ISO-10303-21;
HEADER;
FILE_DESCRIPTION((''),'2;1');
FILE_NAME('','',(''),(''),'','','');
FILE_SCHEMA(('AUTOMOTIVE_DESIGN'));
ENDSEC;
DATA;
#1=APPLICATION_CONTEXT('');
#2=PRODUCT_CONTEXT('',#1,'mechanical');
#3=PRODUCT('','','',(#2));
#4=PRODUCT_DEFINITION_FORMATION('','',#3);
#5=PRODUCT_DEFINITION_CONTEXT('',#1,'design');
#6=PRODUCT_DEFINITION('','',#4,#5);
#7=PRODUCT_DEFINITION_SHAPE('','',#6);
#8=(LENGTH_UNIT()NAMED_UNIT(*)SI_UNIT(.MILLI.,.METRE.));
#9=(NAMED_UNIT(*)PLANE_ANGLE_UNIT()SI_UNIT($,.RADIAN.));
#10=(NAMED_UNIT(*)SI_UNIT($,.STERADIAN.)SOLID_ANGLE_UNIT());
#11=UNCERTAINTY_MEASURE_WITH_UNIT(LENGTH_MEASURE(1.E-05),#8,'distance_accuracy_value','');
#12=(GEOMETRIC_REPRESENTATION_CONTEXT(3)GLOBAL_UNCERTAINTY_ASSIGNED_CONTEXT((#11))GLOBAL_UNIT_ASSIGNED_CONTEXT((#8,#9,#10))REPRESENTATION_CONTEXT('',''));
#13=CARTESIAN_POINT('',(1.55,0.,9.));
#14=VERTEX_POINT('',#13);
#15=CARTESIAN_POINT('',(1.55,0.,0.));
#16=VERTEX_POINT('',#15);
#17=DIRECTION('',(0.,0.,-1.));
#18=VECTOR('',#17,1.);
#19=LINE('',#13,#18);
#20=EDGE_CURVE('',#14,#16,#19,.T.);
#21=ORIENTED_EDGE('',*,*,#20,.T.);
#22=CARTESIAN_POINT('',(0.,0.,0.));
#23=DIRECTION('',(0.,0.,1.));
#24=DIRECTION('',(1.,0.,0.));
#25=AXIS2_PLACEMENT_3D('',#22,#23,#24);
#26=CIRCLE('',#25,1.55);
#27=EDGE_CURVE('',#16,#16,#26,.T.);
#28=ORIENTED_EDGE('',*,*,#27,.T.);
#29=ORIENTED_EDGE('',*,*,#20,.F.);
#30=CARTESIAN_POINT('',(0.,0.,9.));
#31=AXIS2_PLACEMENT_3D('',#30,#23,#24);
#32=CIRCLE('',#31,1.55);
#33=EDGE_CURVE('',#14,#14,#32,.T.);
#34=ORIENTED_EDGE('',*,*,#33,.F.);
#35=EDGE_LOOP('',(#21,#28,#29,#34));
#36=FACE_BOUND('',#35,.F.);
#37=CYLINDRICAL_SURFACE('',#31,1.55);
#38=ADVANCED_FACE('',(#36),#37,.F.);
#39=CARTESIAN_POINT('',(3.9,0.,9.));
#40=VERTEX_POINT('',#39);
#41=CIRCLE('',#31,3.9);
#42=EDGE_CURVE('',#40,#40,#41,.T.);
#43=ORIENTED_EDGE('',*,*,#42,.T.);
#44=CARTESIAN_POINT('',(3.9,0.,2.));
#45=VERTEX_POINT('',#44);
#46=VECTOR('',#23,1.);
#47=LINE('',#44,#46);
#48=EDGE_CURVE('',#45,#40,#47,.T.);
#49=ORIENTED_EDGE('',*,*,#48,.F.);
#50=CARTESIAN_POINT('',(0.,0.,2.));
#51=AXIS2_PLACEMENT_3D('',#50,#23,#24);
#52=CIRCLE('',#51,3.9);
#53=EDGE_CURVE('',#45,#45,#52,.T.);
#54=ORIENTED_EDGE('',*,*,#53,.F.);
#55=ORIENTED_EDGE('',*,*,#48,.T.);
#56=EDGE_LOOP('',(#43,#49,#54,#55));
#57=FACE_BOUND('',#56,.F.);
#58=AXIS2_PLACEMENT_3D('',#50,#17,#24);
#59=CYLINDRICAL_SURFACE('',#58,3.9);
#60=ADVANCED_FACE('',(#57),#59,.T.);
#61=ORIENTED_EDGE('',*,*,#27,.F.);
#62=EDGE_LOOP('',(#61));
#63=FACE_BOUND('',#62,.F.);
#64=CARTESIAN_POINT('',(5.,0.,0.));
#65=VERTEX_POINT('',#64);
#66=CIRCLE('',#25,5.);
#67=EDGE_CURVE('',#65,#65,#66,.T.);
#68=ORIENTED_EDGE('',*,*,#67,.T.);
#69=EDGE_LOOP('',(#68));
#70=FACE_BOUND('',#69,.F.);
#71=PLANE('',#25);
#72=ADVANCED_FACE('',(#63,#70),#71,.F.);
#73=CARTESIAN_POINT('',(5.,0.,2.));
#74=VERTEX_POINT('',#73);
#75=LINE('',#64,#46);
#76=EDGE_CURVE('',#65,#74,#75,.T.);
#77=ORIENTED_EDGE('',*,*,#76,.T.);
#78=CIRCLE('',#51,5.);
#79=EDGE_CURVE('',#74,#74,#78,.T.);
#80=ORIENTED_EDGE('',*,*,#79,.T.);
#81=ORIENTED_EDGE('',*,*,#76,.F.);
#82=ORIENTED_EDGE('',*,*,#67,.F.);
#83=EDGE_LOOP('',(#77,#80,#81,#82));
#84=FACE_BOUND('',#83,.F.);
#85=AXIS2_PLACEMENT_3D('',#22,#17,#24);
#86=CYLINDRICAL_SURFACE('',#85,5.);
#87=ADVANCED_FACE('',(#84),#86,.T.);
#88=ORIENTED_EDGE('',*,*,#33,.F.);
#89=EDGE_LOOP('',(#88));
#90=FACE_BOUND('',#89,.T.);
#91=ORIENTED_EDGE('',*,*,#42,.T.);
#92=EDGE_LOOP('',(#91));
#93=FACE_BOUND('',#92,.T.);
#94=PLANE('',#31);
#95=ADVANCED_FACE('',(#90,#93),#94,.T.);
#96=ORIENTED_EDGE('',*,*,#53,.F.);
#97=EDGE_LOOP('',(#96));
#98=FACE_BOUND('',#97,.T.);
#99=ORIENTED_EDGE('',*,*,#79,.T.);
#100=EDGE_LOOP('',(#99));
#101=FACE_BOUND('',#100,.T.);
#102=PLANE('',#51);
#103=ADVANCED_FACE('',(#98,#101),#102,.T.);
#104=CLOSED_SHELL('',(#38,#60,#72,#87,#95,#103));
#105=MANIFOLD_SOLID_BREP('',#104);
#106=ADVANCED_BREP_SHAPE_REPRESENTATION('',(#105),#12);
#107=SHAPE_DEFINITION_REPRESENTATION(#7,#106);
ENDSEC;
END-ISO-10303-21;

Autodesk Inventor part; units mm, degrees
ref_plane "YZ Plane" through (0, 0, 0) normal (1, 0, 0) x (0, 1, 0)
ref_plane "XZ Plane" through (0, 0, 0) normal (0, 1, 0) x (-1, 0, 0)
ref_plane "XY Plane" through (0, 0, 0) normal (0, 0, 1) x (1, 0, 0)
sketch "Sketch1" plane through (0, 0, 0) normal (0, 0, 1) x (1, 0, 0)
  circle A0 centre (0, 0) radius 5
  dimension "d0" = 10
extrude "Extrusion1" add sketch "Sketch1" along normal blind 2
sketch "Sketch2" plane through (0, 0, 2) normal (0, 0, 1) x (1, 0, 0)
  circle A0 centre (0, 0) radius 5 projected
  circle A1 centre (0, 0) radius 3.9
  dimension "d4" = 7.8
extrude "Extrusion2" add sketch "Sketch2" along normal blind 7 contours A1
sketch "Sketch3" plane through (0, 0, 9) normal (0, 0, 1) x (1, 0, 0)
  circle A0 centre (0, 0) radius 3.9 projected
  circle A1 centre (0, 0) radius 1.55
  dimension "d9" = 3.1
extrude "Extrusion3" cut sketch "Sketch3" against normal through all contours A1
properties part number "z idler insert"
